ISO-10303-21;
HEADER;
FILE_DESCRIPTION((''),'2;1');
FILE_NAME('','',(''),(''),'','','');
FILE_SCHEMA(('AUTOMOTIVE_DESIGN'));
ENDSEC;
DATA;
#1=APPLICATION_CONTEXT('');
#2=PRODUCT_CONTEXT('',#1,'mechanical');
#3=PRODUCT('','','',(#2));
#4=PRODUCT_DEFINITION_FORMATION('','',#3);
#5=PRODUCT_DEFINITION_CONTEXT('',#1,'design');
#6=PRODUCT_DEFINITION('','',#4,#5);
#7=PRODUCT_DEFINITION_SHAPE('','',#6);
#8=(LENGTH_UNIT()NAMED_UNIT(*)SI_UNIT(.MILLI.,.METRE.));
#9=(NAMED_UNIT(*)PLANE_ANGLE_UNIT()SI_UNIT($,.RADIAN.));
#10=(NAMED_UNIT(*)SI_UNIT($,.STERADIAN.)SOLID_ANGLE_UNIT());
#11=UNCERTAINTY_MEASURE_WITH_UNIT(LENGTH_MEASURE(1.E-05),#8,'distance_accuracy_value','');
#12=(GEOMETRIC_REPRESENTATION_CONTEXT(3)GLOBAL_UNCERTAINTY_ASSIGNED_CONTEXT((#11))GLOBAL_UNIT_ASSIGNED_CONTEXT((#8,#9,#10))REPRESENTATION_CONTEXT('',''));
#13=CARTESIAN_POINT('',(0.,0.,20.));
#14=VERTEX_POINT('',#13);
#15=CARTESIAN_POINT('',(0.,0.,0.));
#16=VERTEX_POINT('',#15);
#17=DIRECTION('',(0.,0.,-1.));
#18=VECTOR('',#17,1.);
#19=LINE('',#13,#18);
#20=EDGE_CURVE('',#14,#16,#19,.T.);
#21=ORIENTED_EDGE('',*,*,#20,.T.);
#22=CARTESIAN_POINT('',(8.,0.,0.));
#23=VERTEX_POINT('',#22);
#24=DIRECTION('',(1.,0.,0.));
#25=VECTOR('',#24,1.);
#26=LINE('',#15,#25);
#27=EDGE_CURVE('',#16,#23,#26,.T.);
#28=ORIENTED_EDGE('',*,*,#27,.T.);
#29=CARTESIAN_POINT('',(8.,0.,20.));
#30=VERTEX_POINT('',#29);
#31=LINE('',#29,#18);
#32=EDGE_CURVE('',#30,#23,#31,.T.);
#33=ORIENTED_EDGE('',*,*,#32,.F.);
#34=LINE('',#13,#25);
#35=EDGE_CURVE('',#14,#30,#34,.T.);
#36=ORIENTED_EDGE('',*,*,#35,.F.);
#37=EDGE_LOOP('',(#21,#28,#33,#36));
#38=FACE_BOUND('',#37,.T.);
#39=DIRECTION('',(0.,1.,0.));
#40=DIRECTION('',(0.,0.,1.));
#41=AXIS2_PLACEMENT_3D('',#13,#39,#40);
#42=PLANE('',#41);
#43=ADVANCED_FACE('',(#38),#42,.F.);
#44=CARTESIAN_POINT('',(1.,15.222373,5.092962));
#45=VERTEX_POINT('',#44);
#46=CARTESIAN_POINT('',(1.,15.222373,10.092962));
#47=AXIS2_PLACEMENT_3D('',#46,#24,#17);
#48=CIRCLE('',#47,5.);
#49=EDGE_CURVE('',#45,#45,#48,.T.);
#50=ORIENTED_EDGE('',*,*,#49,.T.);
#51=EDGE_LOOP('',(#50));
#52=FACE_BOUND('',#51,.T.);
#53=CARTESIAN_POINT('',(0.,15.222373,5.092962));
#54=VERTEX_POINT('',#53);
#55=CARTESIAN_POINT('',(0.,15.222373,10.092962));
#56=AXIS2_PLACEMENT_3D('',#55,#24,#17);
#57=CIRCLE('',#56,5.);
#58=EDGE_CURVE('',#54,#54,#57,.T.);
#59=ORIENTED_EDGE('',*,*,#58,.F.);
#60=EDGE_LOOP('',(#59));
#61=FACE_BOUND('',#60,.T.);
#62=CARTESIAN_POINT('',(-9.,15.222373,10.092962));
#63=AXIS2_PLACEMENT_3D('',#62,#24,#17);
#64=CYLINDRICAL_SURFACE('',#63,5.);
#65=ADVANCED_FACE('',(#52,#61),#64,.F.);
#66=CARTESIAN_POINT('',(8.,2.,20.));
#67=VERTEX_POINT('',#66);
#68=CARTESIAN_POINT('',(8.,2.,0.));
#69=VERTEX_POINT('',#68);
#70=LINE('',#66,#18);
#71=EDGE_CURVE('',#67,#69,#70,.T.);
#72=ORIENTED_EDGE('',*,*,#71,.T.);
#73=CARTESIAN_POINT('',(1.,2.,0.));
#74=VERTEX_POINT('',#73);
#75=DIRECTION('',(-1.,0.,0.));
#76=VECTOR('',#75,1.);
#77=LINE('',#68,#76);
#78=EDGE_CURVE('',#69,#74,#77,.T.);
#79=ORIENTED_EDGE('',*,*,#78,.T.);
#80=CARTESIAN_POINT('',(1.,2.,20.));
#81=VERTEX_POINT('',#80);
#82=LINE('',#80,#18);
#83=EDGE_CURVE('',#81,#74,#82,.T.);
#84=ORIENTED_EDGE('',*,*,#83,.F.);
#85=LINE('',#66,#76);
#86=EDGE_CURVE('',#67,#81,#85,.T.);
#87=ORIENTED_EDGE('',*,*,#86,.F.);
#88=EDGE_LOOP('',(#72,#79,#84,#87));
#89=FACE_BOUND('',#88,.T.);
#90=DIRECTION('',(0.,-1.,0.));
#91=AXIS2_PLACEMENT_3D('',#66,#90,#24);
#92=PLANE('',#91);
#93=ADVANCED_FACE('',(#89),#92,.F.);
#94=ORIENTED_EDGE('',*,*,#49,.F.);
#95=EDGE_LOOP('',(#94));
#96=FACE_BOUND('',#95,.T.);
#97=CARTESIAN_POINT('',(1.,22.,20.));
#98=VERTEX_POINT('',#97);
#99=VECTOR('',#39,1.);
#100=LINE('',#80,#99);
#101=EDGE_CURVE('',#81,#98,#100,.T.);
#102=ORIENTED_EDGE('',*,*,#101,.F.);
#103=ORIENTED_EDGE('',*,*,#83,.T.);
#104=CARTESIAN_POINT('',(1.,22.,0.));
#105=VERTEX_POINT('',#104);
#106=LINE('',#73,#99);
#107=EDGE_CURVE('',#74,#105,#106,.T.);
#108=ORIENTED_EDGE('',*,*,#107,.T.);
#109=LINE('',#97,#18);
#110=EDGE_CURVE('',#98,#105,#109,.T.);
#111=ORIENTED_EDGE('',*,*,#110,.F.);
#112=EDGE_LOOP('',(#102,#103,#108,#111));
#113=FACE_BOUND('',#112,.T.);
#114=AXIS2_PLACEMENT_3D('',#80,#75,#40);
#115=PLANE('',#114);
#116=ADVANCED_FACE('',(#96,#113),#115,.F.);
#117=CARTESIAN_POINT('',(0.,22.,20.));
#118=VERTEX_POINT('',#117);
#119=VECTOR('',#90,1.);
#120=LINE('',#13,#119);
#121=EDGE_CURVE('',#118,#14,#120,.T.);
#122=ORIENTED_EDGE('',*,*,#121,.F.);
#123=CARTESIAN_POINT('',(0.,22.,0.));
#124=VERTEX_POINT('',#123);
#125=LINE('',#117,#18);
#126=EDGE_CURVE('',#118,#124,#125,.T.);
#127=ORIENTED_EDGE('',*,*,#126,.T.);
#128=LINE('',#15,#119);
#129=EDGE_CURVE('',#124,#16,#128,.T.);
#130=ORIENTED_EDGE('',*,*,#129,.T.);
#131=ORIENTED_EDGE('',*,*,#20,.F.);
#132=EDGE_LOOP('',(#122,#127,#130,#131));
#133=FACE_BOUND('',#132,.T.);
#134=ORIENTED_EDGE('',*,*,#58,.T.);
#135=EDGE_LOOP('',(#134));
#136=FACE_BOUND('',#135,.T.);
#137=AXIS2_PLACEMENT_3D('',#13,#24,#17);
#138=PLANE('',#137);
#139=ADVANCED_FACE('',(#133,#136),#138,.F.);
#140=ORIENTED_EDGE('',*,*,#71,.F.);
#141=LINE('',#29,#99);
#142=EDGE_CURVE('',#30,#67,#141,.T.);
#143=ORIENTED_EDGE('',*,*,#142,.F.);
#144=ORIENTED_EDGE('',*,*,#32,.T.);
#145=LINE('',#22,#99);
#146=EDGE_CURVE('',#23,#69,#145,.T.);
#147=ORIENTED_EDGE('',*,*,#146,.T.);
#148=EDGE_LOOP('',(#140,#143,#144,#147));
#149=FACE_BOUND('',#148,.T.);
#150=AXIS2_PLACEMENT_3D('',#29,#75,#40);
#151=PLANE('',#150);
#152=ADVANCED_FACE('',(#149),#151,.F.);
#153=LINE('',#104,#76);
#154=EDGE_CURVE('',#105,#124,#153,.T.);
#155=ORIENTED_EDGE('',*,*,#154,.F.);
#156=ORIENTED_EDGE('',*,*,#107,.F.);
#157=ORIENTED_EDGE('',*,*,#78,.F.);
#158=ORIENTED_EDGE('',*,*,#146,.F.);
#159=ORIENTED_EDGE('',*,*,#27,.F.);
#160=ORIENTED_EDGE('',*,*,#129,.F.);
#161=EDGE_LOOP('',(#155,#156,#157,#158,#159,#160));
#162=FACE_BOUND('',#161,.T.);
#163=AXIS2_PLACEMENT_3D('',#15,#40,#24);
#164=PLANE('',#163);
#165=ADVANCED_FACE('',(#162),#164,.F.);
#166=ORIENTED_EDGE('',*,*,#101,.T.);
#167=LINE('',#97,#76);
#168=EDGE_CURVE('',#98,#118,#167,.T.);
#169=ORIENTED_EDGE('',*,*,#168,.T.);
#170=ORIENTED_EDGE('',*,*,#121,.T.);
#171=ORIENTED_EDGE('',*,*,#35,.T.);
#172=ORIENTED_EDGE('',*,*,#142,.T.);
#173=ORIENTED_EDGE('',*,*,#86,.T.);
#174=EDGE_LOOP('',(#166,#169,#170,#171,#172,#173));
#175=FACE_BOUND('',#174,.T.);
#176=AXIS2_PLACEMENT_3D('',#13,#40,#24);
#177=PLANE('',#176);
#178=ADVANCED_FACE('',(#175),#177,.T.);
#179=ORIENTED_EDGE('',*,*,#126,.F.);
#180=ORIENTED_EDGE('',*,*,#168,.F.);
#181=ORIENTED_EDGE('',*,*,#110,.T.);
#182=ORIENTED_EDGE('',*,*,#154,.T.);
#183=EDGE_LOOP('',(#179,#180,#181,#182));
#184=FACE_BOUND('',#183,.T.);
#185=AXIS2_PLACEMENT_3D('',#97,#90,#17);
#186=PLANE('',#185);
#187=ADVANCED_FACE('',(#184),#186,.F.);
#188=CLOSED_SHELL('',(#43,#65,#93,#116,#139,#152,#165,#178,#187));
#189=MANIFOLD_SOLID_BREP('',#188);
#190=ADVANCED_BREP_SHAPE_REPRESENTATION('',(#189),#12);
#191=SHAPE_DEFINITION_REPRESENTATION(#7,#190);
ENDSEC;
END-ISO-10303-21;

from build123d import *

# Parameters (mm, degrees)
BOSS_EXTRUDE1_DEPTH = 20
SKETCH2_R           = 5
CUT_EXTRUDE1_DEPTH  = 10


with BuildPart() as part:
    # Sketch1 → Boss-Extrude1 (new body)
    with BuildSketch(Plane.XY):
        Polygon((0, 0), (8, 0), (8, 2), (1, 2), (1, 22), (0, 22), align=None)
    extrude(amount=BOSS_EXTRUDE1_DEPTH)

    # Sketch2 → Cut-Extrude1 (cut)
    with BuildSketch(Plane(origin=(1, 0, 0), x_dir=(0, 0, -1), z_dir=(1, 0, 0))):
        with Locations((-10.092962117, 15.222372574)):
            Circle(SKETCH2_R)
    extrude(amount=-CUT_EXTRUDE1_DEPTH, mode=Mode.SUBTRACT)


solid = part.part
